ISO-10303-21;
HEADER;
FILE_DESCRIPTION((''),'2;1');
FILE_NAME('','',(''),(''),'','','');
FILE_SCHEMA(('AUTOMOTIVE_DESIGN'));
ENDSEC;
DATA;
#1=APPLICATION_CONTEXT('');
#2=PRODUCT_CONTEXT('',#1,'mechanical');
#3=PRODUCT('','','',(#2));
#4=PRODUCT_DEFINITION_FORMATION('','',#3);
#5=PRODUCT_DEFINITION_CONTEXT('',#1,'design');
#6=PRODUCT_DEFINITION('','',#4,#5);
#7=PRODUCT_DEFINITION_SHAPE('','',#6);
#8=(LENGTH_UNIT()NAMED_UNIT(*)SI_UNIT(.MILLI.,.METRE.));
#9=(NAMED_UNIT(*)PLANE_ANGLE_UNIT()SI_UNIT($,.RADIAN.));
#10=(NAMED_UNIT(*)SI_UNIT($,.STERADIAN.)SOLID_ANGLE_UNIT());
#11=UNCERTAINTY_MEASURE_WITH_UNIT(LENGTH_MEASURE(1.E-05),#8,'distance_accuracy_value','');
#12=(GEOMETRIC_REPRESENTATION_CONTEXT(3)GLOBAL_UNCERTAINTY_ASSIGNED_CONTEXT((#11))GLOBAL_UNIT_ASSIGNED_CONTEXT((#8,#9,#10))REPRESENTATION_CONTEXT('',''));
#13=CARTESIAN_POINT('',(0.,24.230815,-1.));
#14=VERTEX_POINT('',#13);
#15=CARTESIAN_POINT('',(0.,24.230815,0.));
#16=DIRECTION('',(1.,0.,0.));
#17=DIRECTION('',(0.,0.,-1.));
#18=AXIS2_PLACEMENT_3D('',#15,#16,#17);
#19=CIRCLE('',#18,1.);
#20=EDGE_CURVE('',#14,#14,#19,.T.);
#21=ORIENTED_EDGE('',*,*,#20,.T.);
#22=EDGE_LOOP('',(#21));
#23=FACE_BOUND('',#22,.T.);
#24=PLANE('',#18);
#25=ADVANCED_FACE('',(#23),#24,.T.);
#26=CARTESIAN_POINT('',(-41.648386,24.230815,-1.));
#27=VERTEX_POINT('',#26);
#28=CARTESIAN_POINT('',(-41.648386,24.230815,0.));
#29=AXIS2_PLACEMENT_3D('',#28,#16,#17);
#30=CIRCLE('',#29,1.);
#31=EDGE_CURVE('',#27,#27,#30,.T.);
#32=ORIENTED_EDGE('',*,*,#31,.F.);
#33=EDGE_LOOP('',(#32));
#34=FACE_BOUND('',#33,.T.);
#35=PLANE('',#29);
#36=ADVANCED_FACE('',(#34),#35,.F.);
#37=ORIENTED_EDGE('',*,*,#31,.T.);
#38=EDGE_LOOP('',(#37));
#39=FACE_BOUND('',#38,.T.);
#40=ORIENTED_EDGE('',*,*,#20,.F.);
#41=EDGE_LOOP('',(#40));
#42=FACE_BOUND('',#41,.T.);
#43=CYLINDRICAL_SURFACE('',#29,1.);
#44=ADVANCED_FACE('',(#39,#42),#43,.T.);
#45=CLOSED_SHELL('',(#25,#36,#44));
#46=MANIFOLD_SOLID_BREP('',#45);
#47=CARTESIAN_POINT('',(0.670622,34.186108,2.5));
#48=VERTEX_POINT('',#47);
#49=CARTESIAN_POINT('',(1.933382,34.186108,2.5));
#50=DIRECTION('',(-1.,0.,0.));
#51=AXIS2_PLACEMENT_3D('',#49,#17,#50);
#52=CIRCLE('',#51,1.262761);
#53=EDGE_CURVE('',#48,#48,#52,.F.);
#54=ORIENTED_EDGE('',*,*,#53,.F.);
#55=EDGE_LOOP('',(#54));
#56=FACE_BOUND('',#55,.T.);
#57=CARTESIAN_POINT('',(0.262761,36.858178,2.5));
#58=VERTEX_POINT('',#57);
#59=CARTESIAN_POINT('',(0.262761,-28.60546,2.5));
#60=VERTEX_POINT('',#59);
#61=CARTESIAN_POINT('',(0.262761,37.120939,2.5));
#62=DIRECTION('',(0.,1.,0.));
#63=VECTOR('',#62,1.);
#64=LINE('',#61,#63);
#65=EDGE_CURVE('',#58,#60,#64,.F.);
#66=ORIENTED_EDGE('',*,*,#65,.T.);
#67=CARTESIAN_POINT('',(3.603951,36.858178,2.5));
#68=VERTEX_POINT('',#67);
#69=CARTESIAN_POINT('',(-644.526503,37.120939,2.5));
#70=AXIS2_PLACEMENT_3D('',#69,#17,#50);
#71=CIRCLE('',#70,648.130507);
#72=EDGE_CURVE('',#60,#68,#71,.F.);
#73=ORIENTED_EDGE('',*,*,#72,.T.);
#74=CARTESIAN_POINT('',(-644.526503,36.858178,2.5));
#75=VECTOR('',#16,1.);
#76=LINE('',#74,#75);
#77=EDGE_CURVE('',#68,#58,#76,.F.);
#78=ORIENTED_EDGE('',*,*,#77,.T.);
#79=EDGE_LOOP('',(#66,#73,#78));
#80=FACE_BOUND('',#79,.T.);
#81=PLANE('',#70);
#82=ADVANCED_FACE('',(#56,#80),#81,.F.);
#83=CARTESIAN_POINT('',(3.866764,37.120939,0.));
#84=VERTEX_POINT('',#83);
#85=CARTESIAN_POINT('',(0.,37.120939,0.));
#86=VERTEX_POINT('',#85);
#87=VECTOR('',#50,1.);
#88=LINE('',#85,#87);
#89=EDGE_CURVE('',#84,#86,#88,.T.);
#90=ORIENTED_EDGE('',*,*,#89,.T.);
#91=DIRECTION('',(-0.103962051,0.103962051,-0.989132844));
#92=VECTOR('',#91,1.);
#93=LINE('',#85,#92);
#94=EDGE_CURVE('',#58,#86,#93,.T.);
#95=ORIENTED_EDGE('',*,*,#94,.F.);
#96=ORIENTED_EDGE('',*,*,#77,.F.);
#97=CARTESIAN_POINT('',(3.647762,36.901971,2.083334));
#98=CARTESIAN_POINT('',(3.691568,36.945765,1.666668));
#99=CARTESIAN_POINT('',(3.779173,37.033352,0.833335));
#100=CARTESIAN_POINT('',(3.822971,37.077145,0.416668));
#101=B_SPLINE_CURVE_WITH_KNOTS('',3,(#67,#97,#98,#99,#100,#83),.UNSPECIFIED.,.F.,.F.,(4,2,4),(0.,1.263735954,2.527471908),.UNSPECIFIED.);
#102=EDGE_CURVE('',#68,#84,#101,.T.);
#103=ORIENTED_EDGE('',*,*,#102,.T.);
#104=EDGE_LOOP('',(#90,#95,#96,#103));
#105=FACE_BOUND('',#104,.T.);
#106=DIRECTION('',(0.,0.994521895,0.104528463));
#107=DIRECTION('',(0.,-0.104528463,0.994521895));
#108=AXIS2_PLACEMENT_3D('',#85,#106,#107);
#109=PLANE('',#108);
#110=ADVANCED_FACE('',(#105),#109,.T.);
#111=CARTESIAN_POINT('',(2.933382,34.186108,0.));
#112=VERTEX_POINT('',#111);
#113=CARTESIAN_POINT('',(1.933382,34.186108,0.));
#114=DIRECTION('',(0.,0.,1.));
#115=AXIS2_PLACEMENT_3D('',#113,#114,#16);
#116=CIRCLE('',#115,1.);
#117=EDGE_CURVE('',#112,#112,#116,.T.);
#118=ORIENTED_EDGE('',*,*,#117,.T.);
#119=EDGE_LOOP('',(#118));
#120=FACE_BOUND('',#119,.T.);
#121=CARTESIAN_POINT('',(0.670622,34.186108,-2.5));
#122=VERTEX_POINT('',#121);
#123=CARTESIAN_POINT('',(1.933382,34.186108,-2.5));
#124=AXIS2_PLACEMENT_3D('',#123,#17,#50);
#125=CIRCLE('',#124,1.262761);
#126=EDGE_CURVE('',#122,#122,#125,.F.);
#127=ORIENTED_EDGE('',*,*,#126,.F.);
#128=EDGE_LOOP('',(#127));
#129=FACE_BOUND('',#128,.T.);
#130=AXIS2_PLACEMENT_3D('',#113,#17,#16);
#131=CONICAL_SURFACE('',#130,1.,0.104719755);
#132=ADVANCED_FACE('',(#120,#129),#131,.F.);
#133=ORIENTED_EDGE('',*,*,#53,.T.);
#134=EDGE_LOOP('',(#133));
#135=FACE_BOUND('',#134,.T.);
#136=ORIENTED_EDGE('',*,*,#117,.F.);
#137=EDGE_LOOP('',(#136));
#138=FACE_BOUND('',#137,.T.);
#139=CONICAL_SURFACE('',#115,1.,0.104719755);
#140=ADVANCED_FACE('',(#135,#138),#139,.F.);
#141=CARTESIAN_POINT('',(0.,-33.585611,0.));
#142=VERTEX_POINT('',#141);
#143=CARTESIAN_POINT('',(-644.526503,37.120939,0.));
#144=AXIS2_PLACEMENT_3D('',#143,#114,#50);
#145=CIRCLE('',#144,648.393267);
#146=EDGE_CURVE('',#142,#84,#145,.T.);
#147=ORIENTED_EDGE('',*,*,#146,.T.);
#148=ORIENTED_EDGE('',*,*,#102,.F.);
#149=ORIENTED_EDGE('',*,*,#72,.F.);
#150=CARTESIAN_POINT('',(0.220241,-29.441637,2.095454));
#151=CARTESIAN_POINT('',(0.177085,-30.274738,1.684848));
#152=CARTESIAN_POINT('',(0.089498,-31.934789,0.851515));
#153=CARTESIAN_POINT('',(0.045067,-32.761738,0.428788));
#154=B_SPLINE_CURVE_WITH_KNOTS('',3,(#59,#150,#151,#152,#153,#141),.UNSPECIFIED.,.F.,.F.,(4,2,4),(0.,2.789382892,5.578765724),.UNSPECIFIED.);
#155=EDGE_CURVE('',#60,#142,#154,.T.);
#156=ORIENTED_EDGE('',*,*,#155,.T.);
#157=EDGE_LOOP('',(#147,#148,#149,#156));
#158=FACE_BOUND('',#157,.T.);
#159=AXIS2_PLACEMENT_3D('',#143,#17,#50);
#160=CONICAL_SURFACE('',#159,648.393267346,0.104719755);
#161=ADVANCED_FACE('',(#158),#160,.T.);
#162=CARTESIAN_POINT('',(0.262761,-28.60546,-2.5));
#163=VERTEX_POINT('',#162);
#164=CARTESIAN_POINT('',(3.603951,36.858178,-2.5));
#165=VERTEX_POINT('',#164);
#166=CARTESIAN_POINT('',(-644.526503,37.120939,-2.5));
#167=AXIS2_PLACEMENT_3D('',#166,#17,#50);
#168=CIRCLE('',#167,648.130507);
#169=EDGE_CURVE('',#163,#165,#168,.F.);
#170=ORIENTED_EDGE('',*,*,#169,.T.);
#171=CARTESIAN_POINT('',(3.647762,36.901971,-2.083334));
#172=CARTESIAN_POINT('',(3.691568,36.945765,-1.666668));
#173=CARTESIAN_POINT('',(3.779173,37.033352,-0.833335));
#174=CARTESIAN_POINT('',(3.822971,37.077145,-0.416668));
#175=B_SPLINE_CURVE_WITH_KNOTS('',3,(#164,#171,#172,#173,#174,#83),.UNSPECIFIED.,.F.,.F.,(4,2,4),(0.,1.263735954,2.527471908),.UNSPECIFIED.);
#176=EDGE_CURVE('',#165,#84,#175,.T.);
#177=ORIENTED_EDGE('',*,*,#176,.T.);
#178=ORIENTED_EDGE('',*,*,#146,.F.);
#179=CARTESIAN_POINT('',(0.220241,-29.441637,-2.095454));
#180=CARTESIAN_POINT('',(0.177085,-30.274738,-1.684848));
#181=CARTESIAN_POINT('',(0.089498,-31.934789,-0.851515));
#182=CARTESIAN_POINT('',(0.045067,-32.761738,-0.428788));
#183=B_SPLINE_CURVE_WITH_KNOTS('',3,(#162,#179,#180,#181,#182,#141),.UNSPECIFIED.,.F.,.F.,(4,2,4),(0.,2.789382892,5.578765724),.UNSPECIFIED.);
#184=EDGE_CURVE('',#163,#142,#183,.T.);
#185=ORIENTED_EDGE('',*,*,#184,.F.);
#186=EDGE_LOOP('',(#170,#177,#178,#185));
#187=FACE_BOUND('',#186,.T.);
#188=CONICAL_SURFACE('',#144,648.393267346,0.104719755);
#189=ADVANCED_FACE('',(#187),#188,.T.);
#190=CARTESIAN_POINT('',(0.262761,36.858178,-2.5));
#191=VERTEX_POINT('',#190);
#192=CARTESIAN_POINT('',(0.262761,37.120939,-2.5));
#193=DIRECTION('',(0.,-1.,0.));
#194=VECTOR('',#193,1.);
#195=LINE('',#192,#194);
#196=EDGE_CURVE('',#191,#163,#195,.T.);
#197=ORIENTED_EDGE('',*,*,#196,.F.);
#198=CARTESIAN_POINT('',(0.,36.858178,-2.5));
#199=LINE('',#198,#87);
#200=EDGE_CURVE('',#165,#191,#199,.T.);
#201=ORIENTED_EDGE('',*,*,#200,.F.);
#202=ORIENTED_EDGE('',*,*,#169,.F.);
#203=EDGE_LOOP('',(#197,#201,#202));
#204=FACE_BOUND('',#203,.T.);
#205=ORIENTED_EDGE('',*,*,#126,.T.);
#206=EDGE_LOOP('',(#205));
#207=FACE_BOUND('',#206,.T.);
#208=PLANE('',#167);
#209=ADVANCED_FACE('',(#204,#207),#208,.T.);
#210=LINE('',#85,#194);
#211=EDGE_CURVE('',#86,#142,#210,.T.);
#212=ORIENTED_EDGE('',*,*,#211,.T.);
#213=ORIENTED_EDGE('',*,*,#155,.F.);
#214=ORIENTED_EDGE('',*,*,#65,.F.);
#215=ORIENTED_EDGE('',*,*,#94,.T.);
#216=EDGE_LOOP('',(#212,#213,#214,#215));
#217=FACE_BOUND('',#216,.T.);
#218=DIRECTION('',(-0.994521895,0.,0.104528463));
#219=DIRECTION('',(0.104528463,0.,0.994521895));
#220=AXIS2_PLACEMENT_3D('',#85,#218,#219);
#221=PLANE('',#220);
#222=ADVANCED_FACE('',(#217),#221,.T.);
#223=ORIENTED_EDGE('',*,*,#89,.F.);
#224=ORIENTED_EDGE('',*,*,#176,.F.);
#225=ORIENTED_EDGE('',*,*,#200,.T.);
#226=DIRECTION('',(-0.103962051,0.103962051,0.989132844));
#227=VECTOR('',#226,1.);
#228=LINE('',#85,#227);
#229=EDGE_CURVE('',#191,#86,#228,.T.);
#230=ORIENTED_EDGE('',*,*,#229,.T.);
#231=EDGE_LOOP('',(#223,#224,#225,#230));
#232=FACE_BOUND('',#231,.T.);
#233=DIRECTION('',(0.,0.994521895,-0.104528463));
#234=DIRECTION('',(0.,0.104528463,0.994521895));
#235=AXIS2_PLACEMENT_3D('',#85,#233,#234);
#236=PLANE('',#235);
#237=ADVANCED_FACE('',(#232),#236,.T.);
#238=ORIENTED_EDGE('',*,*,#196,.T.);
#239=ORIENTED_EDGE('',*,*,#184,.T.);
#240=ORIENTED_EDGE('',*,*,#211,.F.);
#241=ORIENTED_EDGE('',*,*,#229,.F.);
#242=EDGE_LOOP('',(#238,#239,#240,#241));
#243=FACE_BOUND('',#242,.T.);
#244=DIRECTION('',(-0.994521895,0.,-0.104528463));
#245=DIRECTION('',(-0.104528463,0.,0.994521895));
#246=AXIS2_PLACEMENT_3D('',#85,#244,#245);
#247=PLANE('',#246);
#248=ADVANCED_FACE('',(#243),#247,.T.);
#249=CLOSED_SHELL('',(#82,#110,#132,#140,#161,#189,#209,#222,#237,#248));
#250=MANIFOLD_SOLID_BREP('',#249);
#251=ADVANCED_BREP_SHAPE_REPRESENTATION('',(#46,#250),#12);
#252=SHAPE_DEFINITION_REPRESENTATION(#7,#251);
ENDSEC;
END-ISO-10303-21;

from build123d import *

# Parameters (mm, degrees)
SKETCH1_R                     = 1
BOSS_EXTRUDE1_DEPTH           = 2.5
BOSS_EXTRUDE1_DRAFT           = 6
BOSS_EXTRUDE1_OTHER_WAY_DEPTH = 2.5
BOSS_EXTRUDE1_OTHER_WAY_DRAFT = -6
SKETCH2_R                     = 1


with BuildPart() as part:
    # Sketch1 → Boss-Extrude1 (with draft: the straight prism first)
    with BuildSketch(Plane.XY):
        with BuildLine():
            Line((0, 37.120938716), (0, -33.585611219))
            ThreePointArc((0, -33.585611219), (2.89935164, 1.714837296), (3.86676445, 37.120938716))
            Line((3.86676445, 37.120938716), (0, 37.120938716))
        make_face()
        with Locations((1.933382225, 34.186107729)):
            Circle(SKETCH1_R, mode=Mode.SUBTRACT)
    extrude(amount=BOSS_EXTRUDE1_DEPTH)
    # Boss-Extrude1: the draft: its side faces are tilted about the plane it starts from
    boss_extrude1_sides = [part.faces().sort_by_distance(p)[0] for p in [
        (1.933382225, 37.120938716, 1.25),
        (0, 1.767663748, 1.25),
        (2.89935164, 1.714837296, 1.25),
        (0.933382225, 34.186107729, 1.25),
    ]]
    draft(boss_extrude1_sides, Plane.XY, BOSS_EXTRUDE1_DRAFT)


with BuildPart() as boss_extrude1_other_way_tool:
    # Sketch1 → Boss-Extrude1 other way (with draft: the straight prism first)
    with BuildSketch(Plane.XY):
        with BuildLine():
            Line((0, 37.120938716), (0, -33.585611219))
            ThreePointArc((0, -33.585611219), (2.89935164, 1.714837296), (3.86676445, 37.120938716))
            Line((3.86676445, 37.120938716), (0, 37.120938716))
        make_face()
        with Locations((1.933382225, 34.186107729)):
            Circle(SKETCH1_R, mode=Mode.SUBTRACT)
    extrude(amount=-BOSS_EXTRUDE1_OTHER_WAY_DEPTH)
    # Boss-Extrude1 other way: the draft: its side faces are tilted about the plane it starts from
    boss_extrude1_other_way_sides = [boss_extrude1_other_way_tool.faces().sort_by_distance(p)[0] for p in [
        (1.933382225, 37.120938716, -1.25),
        (0, 1.767663748, -1.25),
        (2.89935164, 1.714837296, -1.25),
        (0.933382225, 34.186107729, -1.25),
    ]]
    draft(boss_extrude1_other_way_sides, Plane.XY, BOSS_EXTRUDE1_OTHER_WAY_DRAFT)


with BuildPart() as part_1:
    add(part.part)

    # Boss-Extrude1 other way: add boss_extrude1_other_way_tool
    add(boss_extrude1_other_way_tool.part)


with BuildPart() as body_2:
    # Sweep1: sweep along a path in Sketch3
    with BuildLine(Plane.XY) as sweep1_path:
        Line((0, 28.760399507), (-41.648385585, 28.760399507))
    # Sketch2 → Sweep1 (sweep)
    with BuildSketch(Plane(origin=(0, 0, 0), x_dir=(0, 0, -1), z_dir=(1, 0, 0))):
        with Locations((0, 24.23081472)):
            Circle(SKETCH2_R)
    sweep(path=sweep1_path.line)


solid = Compound([part_1.part, body_2.part])
